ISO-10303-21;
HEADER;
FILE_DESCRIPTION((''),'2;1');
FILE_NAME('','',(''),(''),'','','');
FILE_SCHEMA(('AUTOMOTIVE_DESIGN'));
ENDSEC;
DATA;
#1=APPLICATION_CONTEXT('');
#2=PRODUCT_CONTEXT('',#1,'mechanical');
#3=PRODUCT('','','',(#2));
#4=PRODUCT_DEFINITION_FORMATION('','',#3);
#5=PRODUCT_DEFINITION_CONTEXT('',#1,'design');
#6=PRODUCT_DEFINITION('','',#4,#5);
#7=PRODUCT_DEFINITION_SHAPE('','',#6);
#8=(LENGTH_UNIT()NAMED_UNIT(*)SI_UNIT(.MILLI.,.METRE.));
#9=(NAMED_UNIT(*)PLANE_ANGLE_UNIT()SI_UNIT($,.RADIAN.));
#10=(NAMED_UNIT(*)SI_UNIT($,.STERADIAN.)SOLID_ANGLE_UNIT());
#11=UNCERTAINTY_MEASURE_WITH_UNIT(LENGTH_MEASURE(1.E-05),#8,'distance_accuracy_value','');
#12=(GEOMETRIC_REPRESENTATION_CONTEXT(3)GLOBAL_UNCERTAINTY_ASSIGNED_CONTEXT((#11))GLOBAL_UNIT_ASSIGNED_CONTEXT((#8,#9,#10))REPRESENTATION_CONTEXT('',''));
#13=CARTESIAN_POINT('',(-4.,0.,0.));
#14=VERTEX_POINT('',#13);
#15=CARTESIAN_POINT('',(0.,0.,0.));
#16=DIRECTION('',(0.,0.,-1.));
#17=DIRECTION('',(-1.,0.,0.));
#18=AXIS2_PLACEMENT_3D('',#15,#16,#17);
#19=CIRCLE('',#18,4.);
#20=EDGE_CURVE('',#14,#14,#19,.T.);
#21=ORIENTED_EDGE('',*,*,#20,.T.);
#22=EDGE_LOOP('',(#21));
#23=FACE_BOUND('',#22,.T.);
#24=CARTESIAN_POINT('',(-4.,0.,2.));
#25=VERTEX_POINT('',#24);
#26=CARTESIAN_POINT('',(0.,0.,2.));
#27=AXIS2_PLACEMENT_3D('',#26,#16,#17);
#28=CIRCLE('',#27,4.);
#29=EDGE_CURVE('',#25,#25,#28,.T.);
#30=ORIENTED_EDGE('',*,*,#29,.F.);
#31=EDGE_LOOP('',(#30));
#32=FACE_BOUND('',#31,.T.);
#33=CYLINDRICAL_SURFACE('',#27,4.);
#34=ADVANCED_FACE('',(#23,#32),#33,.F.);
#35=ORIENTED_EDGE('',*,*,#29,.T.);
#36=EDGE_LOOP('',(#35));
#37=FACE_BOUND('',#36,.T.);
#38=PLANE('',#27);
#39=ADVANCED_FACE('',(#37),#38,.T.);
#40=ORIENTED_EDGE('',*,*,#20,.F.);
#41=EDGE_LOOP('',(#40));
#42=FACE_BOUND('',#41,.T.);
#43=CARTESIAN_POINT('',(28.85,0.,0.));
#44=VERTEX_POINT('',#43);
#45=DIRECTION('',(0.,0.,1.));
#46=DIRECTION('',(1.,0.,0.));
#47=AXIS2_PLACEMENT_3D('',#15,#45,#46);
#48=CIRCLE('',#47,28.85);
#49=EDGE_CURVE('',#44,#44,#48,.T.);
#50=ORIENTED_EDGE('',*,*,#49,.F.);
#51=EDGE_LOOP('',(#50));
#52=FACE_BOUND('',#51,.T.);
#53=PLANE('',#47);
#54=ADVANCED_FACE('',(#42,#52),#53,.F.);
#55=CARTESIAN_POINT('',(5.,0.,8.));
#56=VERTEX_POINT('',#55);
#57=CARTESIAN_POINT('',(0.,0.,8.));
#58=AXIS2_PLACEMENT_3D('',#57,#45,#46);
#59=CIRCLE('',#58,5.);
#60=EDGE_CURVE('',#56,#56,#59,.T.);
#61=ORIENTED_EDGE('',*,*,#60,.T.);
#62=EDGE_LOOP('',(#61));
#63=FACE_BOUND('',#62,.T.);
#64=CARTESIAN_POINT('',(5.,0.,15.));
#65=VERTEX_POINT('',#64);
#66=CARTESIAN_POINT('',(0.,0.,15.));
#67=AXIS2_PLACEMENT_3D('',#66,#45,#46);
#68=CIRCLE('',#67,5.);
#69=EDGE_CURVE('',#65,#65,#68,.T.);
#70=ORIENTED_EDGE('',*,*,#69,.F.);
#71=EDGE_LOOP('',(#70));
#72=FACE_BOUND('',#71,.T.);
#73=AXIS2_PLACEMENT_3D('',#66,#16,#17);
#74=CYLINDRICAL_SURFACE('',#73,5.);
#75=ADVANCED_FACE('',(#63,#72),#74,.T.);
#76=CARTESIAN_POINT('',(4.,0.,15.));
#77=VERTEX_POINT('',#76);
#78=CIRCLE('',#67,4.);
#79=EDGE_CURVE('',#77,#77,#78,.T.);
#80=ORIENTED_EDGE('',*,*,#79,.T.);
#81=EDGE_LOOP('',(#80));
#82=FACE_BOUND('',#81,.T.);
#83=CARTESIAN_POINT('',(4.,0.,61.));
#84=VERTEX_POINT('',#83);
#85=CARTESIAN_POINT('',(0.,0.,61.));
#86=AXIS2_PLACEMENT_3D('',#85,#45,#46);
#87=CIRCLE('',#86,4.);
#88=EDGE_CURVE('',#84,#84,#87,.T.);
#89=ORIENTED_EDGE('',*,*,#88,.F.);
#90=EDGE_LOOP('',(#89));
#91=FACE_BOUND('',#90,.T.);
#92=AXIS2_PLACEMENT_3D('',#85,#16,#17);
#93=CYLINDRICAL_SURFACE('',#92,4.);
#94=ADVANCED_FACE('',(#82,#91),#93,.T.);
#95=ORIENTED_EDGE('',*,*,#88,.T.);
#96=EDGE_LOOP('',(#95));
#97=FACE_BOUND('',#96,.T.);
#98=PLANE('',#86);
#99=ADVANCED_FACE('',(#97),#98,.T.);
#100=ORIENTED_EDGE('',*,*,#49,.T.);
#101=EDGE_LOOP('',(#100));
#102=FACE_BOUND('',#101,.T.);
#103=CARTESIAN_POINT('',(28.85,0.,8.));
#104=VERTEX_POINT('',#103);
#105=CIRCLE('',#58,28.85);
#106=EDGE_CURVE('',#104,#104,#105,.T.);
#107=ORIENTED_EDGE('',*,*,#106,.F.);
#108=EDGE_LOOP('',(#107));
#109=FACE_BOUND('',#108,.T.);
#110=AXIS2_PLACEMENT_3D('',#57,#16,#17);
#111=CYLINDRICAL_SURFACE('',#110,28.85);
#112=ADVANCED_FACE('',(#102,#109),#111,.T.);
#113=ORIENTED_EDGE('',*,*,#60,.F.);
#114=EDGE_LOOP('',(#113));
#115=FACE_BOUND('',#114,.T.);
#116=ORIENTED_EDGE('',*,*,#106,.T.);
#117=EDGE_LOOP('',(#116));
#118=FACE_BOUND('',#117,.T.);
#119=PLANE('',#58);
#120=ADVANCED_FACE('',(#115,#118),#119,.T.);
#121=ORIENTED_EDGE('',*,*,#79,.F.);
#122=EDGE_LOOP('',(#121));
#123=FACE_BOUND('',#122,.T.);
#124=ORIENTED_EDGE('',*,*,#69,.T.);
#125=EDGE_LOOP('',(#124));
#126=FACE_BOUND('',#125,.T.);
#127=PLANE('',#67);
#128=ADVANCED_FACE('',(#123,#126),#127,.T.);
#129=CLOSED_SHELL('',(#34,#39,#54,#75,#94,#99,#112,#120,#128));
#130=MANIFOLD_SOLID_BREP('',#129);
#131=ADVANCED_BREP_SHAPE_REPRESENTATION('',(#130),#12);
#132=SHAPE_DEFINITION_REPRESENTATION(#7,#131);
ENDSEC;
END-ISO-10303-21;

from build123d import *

# Parameters (mm, degrees)
ESQUISSE1_R             = 28.85
BOSS_EXTRU_1_DEPTH      = 8
ESQUISSE3_R             = 4
ENL_V_MAT_EXTRU_1_DEPTH = 2
ESQUISSE2_R             = 5
ESQUISSE2_R_2           = 4
BOSS_EXTRU_2_DEPTH      = 7
ESQUISSE2_2_R           = 5
ESQUISSE2_2_R_2         = 4
BOSS_EXTRU_3_DEPTH      = 2
ESQUISSE2_3_R           = 5
ESQUISSE2_3_R_2         = 4
BOSS_EXTRU_4_DEPTH      = 4
ESQUISSE4_R             = 4
BOSS_EXTRU_6_DEPTH      = 53


with BuildPart() as part:
    # Esquisse1 → Boss.-Extru.1 (new body)
    with BuildSketch(Plane.XY):
        Circle(ESQUISSE1_R)
    extrude(amount=BOSS_EXTRU_1_DEPTH)

    # Esquisse3 → Enlèv. mat.-Extru.1 (cut)
    with BuildSketch(Plane(origin=(0, 0, 0), x_dir=(-1, 0, 0), z_dir=(0, 0, -1))):
        Circle(ESQUISSE3_R)
    extrude(amount=-ENL_V_MAT_EXTRU_1_DEPTH, mode=Mode.SUBTRACT)

    # Esquisse2 → Boss.-Extru.2 (add)
    with BuildSketch(Plane.XY.offset(8)):
        Circle(ESQUISSE2_R)
        Circle(ESQUISSE2_R_2, mode=Mode.SUBTRACT)
    extrude(amount=BOSS_EXTRU_2_DEPTH)

    # Esquisse2<2> → Boss.-Extru.3 (add)
    with BuildSketch(Plane.XY.offset(8)):
        Circle(ESQUISSE2_2_R)
        Circle(ESQUISSE2_2_R_2, mode=Mode.SUBTRACT)
    extrude(amount=BOSS_EXTRU_3_DEPTH)

    # Esquisse2<3> → Boss.-Extru.4 (add)
    with BuildSketch(Plane.XY.offset(8)):
        Circle(ESQUISSE2_3_R)
        Circle(ESQUISSE2_3_R_2, mode=Mode.SUBTRACT)
    extrude(amount=BOSS_EXTRU_4_DEPTH)

    # Esquisse4 → Boss.-Extru.6 (add)
    with BuildSketch(Plane.XY.offset(8)):
        Circle(ESQUISSE4_R)
    extrude(amount=BOSS_EXTRU_6_DEPTH)


solid = part.part
